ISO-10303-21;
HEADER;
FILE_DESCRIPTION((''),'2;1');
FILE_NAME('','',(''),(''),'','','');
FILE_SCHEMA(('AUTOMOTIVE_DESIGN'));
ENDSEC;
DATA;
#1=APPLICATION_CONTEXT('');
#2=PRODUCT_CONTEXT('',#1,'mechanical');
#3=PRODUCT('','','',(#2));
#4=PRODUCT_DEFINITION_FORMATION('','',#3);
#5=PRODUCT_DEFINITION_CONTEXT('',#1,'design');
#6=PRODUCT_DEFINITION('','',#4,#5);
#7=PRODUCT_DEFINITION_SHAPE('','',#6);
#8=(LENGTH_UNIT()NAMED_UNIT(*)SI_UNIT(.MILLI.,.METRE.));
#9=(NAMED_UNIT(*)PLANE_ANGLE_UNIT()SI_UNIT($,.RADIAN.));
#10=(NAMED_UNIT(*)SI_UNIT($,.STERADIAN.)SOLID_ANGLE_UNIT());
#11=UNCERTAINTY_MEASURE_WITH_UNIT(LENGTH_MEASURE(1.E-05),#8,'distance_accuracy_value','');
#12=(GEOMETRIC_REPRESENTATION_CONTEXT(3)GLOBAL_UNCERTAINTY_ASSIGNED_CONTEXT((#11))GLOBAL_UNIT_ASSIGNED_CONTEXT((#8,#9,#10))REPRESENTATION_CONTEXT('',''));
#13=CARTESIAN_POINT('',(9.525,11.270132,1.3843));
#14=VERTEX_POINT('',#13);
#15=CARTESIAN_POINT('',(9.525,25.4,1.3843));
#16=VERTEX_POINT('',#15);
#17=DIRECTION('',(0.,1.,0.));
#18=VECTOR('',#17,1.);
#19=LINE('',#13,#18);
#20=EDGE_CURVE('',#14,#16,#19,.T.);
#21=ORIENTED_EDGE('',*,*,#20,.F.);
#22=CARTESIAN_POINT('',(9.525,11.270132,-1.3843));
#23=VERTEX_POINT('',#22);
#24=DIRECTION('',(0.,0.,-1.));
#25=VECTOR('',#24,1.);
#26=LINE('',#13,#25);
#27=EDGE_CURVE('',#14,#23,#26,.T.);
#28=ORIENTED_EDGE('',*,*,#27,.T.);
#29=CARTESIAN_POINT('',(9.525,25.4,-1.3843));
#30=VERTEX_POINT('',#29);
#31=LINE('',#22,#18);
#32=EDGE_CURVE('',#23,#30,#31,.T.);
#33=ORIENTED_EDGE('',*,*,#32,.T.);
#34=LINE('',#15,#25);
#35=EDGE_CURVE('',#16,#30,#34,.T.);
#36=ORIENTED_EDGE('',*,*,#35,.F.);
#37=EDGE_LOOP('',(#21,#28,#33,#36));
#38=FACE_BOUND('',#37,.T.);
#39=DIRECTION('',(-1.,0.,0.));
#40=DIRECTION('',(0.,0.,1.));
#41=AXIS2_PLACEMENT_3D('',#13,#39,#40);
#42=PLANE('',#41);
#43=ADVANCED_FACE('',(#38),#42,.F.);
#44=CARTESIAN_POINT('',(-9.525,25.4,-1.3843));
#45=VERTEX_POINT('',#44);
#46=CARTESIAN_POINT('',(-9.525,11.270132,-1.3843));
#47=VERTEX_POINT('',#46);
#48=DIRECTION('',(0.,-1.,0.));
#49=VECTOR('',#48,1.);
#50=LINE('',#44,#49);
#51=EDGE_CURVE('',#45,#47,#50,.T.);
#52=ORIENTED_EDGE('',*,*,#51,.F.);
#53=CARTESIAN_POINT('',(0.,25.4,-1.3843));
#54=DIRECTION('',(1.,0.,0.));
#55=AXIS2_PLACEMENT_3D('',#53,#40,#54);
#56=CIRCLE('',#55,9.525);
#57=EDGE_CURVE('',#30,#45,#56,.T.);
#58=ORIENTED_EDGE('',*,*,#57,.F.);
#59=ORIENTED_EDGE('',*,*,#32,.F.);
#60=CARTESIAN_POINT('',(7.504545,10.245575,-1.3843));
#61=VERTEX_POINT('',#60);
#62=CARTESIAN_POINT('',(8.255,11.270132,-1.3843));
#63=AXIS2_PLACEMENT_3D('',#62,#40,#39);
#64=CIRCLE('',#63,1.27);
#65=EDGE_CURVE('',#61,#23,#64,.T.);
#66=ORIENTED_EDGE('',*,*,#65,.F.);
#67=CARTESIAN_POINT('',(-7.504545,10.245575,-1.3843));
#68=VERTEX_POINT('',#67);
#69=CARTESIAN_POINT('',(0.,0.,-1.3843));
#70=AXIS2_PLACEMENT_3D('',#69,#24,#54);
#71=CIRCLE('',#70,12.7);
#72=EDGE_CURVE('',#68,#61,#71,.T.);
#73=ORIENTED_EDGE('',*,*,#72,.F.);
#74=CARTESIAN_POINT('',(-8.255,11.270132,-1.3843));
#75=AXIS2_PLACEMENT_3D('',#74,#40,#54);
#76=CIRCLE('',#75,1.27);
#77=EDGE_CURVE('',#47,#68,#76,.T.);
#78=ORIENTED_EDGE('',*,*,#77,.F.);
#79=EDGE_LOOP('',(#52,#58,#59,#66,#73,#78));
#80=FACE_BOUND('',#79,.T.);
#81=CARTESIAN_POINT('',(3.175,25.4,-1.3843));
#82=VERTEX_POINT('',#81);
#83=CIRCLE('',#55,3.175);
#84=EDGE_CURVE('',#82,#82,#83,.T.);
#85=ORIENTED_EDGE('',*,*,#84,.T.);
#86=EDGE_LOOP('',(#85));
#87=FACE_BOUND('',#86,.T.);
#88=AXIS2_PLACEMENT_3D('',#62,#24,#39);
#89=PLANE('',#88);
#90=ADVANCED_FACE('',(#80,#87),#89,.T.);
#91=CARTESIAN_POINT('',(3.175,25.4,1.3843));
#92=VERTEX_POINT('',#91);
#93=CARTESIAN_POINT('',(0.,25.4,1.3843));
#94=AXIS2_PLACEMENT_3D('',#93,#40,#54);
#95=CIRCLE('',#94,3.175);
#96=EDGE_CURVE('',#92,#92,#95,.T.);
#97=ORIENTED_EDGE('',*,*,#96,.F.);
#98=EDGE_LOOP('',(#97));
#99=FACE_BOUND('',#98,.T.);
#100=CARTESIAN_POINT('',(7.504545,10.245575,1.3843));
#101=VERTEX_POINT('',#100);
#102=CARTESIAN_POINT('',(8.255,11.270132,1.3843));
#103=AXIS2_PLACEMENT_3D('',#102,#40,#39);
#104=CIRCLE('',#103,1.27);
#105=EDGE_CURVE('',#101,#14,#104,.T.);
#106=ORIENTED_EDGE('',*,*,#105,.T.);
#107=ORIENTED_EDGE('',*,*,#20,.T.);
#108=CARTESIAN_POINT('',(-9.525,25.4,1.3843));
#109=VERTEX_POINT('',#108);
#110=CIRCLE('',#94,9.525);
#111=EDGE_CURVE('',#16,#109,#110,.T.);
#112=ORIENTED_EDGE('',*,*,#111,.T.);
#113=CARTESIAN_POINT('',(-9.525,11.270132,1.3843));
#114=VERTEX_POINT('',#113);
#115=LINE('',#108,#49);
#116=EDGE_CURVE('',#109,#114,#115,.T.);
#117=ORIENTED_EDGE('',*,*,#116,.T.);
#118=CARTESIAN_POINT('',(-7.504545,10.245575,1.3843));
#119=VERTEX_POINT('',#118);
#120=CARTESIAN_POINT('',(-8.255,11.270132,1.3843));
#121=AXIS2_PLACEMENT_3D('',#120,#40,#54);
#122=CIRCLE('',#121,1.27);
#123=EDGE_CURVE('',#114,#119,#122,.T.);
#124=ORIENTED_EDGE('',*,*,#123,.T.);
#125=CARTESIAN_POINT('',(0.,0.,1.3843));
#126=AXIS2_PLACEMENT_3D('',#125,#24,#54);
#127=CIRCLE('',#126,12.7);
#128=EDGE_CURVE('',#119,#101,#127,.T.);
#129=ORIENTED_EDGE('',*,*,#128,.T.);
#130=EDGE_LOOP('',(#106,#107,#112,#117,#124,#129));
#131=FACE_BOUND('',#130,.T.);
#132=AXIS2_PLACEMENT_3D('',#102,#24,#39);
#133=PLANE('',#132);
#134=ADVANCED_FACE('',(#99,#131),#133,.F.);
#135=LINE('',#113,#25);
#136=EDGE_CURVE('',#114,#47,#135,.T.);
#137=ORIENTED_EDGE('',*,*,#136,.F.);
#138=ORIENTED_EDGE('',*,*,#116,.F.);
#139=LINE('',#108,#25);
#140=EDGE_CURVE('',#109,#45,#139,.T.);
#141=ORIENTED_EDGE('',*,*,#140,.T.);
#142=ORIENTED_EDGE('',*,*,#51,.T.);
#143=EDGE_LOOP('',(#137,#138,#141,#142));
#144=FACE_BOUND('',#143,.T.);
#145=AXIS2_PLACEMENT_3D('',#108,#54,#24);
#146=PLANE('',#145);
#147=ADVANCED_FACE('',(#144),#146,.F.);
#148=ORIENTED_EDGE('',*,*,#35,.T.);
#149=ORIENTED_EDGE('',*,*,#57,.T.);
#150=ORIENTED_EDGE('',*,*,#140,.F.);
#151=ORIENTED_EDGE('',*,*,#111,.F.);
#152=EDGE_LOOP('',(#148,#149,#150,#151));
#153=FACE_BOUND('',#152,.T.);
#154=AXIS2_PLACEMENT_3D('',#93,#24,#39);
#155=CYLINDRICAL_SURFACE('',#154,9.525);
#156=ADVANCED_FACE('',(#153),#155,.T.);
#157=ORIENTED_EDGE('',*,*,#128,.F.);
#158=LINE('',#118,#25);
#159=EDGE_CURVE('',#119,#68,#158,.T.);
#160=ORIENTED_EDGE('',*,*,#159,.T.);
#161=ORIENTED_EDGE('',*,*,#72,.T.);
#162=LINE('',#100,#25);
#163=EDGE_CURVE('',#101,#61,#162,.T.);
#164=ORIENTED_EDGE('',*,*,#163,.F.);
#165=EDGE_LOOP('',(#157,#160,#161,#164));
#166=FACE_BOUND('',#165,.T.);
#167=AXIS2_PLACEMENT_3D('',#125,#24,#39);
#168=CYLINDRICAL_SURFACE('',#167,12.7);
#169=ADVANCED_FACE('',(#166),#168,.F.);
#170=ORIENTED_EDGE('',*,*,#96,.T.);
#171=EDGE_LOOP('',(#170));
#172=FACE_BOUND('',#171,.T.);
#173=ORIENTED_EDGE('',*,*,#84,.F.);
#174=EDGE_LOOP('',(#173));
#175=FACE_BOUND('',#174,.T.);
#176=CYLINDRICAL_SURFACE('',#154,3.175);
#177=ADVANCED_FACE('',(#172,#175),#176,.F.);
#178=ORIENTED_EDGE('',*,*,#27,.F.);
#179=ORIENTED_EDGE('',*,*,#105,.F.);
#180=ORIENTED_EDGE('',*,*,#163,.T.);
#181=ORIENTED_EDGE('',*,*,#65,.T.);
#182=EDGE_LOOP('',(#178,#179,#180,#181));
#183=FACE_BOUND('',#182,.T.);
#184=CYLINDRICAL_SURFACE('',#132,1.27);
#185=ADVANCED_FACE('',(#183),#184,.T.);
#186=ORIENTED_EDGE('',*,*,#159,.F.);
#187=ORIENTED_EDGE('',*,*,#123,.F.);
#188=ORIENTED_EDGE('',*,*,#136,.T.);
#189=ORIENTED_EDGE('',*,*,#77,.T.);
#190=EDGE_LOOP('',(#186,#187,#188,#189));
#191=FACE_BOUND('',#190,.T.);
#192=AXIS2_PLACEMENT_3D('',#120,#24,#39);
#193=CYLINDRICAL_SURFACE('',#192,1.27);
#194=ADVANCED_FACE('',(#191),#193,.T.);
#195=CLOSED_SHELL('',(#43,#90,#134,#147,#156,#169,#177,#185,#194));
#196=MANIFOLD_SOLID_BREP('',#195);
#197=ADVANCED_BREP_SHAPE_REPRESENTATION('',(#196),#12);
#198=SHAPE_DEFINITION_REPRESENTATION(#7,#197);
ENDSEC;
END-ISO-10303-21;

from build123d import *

# Parameters (mm, degrees)
SKETCH1_R           = 3.175
BOSS_EXTRUDE1_DEPTH = 1.3843


with BuildPart() as part:
    # Sketch1 → Boss-Extrude1 (new body, symmetric)
    with BuildSketch(Plane.XY):
        with BuildLine():
            Line((9.525, 11.270131987), (9.525, 25.4))
            ThreePointArc((9.525, 25.4), (0, 34.925), (-9.525, 25.4))
            Line((-9.525, 25.4), (-9.525, 11.270131987))
            ThreePointArc((-9.525, 11.270131987), (-8.829379111, 10.137441104), (-7.504545455, 10.245574533))
            ThreePointArc((-7.504545455, 10.245574533), (0, 12.7), (7.504545455, 10.245574533))
            ThreePointArc((7.504545455, 10.245574533), (8.829379111, 10.137441104), (9.525, 11.270131987))
        make_face()
        with Locations((0, 25.4)):
            Circle(SKETCH1_R, mode=Mode.SUBTRACT)
    extrude(amount=BOSS_EXTRUDE1_DEPTH, both=True)


solid = part.part
